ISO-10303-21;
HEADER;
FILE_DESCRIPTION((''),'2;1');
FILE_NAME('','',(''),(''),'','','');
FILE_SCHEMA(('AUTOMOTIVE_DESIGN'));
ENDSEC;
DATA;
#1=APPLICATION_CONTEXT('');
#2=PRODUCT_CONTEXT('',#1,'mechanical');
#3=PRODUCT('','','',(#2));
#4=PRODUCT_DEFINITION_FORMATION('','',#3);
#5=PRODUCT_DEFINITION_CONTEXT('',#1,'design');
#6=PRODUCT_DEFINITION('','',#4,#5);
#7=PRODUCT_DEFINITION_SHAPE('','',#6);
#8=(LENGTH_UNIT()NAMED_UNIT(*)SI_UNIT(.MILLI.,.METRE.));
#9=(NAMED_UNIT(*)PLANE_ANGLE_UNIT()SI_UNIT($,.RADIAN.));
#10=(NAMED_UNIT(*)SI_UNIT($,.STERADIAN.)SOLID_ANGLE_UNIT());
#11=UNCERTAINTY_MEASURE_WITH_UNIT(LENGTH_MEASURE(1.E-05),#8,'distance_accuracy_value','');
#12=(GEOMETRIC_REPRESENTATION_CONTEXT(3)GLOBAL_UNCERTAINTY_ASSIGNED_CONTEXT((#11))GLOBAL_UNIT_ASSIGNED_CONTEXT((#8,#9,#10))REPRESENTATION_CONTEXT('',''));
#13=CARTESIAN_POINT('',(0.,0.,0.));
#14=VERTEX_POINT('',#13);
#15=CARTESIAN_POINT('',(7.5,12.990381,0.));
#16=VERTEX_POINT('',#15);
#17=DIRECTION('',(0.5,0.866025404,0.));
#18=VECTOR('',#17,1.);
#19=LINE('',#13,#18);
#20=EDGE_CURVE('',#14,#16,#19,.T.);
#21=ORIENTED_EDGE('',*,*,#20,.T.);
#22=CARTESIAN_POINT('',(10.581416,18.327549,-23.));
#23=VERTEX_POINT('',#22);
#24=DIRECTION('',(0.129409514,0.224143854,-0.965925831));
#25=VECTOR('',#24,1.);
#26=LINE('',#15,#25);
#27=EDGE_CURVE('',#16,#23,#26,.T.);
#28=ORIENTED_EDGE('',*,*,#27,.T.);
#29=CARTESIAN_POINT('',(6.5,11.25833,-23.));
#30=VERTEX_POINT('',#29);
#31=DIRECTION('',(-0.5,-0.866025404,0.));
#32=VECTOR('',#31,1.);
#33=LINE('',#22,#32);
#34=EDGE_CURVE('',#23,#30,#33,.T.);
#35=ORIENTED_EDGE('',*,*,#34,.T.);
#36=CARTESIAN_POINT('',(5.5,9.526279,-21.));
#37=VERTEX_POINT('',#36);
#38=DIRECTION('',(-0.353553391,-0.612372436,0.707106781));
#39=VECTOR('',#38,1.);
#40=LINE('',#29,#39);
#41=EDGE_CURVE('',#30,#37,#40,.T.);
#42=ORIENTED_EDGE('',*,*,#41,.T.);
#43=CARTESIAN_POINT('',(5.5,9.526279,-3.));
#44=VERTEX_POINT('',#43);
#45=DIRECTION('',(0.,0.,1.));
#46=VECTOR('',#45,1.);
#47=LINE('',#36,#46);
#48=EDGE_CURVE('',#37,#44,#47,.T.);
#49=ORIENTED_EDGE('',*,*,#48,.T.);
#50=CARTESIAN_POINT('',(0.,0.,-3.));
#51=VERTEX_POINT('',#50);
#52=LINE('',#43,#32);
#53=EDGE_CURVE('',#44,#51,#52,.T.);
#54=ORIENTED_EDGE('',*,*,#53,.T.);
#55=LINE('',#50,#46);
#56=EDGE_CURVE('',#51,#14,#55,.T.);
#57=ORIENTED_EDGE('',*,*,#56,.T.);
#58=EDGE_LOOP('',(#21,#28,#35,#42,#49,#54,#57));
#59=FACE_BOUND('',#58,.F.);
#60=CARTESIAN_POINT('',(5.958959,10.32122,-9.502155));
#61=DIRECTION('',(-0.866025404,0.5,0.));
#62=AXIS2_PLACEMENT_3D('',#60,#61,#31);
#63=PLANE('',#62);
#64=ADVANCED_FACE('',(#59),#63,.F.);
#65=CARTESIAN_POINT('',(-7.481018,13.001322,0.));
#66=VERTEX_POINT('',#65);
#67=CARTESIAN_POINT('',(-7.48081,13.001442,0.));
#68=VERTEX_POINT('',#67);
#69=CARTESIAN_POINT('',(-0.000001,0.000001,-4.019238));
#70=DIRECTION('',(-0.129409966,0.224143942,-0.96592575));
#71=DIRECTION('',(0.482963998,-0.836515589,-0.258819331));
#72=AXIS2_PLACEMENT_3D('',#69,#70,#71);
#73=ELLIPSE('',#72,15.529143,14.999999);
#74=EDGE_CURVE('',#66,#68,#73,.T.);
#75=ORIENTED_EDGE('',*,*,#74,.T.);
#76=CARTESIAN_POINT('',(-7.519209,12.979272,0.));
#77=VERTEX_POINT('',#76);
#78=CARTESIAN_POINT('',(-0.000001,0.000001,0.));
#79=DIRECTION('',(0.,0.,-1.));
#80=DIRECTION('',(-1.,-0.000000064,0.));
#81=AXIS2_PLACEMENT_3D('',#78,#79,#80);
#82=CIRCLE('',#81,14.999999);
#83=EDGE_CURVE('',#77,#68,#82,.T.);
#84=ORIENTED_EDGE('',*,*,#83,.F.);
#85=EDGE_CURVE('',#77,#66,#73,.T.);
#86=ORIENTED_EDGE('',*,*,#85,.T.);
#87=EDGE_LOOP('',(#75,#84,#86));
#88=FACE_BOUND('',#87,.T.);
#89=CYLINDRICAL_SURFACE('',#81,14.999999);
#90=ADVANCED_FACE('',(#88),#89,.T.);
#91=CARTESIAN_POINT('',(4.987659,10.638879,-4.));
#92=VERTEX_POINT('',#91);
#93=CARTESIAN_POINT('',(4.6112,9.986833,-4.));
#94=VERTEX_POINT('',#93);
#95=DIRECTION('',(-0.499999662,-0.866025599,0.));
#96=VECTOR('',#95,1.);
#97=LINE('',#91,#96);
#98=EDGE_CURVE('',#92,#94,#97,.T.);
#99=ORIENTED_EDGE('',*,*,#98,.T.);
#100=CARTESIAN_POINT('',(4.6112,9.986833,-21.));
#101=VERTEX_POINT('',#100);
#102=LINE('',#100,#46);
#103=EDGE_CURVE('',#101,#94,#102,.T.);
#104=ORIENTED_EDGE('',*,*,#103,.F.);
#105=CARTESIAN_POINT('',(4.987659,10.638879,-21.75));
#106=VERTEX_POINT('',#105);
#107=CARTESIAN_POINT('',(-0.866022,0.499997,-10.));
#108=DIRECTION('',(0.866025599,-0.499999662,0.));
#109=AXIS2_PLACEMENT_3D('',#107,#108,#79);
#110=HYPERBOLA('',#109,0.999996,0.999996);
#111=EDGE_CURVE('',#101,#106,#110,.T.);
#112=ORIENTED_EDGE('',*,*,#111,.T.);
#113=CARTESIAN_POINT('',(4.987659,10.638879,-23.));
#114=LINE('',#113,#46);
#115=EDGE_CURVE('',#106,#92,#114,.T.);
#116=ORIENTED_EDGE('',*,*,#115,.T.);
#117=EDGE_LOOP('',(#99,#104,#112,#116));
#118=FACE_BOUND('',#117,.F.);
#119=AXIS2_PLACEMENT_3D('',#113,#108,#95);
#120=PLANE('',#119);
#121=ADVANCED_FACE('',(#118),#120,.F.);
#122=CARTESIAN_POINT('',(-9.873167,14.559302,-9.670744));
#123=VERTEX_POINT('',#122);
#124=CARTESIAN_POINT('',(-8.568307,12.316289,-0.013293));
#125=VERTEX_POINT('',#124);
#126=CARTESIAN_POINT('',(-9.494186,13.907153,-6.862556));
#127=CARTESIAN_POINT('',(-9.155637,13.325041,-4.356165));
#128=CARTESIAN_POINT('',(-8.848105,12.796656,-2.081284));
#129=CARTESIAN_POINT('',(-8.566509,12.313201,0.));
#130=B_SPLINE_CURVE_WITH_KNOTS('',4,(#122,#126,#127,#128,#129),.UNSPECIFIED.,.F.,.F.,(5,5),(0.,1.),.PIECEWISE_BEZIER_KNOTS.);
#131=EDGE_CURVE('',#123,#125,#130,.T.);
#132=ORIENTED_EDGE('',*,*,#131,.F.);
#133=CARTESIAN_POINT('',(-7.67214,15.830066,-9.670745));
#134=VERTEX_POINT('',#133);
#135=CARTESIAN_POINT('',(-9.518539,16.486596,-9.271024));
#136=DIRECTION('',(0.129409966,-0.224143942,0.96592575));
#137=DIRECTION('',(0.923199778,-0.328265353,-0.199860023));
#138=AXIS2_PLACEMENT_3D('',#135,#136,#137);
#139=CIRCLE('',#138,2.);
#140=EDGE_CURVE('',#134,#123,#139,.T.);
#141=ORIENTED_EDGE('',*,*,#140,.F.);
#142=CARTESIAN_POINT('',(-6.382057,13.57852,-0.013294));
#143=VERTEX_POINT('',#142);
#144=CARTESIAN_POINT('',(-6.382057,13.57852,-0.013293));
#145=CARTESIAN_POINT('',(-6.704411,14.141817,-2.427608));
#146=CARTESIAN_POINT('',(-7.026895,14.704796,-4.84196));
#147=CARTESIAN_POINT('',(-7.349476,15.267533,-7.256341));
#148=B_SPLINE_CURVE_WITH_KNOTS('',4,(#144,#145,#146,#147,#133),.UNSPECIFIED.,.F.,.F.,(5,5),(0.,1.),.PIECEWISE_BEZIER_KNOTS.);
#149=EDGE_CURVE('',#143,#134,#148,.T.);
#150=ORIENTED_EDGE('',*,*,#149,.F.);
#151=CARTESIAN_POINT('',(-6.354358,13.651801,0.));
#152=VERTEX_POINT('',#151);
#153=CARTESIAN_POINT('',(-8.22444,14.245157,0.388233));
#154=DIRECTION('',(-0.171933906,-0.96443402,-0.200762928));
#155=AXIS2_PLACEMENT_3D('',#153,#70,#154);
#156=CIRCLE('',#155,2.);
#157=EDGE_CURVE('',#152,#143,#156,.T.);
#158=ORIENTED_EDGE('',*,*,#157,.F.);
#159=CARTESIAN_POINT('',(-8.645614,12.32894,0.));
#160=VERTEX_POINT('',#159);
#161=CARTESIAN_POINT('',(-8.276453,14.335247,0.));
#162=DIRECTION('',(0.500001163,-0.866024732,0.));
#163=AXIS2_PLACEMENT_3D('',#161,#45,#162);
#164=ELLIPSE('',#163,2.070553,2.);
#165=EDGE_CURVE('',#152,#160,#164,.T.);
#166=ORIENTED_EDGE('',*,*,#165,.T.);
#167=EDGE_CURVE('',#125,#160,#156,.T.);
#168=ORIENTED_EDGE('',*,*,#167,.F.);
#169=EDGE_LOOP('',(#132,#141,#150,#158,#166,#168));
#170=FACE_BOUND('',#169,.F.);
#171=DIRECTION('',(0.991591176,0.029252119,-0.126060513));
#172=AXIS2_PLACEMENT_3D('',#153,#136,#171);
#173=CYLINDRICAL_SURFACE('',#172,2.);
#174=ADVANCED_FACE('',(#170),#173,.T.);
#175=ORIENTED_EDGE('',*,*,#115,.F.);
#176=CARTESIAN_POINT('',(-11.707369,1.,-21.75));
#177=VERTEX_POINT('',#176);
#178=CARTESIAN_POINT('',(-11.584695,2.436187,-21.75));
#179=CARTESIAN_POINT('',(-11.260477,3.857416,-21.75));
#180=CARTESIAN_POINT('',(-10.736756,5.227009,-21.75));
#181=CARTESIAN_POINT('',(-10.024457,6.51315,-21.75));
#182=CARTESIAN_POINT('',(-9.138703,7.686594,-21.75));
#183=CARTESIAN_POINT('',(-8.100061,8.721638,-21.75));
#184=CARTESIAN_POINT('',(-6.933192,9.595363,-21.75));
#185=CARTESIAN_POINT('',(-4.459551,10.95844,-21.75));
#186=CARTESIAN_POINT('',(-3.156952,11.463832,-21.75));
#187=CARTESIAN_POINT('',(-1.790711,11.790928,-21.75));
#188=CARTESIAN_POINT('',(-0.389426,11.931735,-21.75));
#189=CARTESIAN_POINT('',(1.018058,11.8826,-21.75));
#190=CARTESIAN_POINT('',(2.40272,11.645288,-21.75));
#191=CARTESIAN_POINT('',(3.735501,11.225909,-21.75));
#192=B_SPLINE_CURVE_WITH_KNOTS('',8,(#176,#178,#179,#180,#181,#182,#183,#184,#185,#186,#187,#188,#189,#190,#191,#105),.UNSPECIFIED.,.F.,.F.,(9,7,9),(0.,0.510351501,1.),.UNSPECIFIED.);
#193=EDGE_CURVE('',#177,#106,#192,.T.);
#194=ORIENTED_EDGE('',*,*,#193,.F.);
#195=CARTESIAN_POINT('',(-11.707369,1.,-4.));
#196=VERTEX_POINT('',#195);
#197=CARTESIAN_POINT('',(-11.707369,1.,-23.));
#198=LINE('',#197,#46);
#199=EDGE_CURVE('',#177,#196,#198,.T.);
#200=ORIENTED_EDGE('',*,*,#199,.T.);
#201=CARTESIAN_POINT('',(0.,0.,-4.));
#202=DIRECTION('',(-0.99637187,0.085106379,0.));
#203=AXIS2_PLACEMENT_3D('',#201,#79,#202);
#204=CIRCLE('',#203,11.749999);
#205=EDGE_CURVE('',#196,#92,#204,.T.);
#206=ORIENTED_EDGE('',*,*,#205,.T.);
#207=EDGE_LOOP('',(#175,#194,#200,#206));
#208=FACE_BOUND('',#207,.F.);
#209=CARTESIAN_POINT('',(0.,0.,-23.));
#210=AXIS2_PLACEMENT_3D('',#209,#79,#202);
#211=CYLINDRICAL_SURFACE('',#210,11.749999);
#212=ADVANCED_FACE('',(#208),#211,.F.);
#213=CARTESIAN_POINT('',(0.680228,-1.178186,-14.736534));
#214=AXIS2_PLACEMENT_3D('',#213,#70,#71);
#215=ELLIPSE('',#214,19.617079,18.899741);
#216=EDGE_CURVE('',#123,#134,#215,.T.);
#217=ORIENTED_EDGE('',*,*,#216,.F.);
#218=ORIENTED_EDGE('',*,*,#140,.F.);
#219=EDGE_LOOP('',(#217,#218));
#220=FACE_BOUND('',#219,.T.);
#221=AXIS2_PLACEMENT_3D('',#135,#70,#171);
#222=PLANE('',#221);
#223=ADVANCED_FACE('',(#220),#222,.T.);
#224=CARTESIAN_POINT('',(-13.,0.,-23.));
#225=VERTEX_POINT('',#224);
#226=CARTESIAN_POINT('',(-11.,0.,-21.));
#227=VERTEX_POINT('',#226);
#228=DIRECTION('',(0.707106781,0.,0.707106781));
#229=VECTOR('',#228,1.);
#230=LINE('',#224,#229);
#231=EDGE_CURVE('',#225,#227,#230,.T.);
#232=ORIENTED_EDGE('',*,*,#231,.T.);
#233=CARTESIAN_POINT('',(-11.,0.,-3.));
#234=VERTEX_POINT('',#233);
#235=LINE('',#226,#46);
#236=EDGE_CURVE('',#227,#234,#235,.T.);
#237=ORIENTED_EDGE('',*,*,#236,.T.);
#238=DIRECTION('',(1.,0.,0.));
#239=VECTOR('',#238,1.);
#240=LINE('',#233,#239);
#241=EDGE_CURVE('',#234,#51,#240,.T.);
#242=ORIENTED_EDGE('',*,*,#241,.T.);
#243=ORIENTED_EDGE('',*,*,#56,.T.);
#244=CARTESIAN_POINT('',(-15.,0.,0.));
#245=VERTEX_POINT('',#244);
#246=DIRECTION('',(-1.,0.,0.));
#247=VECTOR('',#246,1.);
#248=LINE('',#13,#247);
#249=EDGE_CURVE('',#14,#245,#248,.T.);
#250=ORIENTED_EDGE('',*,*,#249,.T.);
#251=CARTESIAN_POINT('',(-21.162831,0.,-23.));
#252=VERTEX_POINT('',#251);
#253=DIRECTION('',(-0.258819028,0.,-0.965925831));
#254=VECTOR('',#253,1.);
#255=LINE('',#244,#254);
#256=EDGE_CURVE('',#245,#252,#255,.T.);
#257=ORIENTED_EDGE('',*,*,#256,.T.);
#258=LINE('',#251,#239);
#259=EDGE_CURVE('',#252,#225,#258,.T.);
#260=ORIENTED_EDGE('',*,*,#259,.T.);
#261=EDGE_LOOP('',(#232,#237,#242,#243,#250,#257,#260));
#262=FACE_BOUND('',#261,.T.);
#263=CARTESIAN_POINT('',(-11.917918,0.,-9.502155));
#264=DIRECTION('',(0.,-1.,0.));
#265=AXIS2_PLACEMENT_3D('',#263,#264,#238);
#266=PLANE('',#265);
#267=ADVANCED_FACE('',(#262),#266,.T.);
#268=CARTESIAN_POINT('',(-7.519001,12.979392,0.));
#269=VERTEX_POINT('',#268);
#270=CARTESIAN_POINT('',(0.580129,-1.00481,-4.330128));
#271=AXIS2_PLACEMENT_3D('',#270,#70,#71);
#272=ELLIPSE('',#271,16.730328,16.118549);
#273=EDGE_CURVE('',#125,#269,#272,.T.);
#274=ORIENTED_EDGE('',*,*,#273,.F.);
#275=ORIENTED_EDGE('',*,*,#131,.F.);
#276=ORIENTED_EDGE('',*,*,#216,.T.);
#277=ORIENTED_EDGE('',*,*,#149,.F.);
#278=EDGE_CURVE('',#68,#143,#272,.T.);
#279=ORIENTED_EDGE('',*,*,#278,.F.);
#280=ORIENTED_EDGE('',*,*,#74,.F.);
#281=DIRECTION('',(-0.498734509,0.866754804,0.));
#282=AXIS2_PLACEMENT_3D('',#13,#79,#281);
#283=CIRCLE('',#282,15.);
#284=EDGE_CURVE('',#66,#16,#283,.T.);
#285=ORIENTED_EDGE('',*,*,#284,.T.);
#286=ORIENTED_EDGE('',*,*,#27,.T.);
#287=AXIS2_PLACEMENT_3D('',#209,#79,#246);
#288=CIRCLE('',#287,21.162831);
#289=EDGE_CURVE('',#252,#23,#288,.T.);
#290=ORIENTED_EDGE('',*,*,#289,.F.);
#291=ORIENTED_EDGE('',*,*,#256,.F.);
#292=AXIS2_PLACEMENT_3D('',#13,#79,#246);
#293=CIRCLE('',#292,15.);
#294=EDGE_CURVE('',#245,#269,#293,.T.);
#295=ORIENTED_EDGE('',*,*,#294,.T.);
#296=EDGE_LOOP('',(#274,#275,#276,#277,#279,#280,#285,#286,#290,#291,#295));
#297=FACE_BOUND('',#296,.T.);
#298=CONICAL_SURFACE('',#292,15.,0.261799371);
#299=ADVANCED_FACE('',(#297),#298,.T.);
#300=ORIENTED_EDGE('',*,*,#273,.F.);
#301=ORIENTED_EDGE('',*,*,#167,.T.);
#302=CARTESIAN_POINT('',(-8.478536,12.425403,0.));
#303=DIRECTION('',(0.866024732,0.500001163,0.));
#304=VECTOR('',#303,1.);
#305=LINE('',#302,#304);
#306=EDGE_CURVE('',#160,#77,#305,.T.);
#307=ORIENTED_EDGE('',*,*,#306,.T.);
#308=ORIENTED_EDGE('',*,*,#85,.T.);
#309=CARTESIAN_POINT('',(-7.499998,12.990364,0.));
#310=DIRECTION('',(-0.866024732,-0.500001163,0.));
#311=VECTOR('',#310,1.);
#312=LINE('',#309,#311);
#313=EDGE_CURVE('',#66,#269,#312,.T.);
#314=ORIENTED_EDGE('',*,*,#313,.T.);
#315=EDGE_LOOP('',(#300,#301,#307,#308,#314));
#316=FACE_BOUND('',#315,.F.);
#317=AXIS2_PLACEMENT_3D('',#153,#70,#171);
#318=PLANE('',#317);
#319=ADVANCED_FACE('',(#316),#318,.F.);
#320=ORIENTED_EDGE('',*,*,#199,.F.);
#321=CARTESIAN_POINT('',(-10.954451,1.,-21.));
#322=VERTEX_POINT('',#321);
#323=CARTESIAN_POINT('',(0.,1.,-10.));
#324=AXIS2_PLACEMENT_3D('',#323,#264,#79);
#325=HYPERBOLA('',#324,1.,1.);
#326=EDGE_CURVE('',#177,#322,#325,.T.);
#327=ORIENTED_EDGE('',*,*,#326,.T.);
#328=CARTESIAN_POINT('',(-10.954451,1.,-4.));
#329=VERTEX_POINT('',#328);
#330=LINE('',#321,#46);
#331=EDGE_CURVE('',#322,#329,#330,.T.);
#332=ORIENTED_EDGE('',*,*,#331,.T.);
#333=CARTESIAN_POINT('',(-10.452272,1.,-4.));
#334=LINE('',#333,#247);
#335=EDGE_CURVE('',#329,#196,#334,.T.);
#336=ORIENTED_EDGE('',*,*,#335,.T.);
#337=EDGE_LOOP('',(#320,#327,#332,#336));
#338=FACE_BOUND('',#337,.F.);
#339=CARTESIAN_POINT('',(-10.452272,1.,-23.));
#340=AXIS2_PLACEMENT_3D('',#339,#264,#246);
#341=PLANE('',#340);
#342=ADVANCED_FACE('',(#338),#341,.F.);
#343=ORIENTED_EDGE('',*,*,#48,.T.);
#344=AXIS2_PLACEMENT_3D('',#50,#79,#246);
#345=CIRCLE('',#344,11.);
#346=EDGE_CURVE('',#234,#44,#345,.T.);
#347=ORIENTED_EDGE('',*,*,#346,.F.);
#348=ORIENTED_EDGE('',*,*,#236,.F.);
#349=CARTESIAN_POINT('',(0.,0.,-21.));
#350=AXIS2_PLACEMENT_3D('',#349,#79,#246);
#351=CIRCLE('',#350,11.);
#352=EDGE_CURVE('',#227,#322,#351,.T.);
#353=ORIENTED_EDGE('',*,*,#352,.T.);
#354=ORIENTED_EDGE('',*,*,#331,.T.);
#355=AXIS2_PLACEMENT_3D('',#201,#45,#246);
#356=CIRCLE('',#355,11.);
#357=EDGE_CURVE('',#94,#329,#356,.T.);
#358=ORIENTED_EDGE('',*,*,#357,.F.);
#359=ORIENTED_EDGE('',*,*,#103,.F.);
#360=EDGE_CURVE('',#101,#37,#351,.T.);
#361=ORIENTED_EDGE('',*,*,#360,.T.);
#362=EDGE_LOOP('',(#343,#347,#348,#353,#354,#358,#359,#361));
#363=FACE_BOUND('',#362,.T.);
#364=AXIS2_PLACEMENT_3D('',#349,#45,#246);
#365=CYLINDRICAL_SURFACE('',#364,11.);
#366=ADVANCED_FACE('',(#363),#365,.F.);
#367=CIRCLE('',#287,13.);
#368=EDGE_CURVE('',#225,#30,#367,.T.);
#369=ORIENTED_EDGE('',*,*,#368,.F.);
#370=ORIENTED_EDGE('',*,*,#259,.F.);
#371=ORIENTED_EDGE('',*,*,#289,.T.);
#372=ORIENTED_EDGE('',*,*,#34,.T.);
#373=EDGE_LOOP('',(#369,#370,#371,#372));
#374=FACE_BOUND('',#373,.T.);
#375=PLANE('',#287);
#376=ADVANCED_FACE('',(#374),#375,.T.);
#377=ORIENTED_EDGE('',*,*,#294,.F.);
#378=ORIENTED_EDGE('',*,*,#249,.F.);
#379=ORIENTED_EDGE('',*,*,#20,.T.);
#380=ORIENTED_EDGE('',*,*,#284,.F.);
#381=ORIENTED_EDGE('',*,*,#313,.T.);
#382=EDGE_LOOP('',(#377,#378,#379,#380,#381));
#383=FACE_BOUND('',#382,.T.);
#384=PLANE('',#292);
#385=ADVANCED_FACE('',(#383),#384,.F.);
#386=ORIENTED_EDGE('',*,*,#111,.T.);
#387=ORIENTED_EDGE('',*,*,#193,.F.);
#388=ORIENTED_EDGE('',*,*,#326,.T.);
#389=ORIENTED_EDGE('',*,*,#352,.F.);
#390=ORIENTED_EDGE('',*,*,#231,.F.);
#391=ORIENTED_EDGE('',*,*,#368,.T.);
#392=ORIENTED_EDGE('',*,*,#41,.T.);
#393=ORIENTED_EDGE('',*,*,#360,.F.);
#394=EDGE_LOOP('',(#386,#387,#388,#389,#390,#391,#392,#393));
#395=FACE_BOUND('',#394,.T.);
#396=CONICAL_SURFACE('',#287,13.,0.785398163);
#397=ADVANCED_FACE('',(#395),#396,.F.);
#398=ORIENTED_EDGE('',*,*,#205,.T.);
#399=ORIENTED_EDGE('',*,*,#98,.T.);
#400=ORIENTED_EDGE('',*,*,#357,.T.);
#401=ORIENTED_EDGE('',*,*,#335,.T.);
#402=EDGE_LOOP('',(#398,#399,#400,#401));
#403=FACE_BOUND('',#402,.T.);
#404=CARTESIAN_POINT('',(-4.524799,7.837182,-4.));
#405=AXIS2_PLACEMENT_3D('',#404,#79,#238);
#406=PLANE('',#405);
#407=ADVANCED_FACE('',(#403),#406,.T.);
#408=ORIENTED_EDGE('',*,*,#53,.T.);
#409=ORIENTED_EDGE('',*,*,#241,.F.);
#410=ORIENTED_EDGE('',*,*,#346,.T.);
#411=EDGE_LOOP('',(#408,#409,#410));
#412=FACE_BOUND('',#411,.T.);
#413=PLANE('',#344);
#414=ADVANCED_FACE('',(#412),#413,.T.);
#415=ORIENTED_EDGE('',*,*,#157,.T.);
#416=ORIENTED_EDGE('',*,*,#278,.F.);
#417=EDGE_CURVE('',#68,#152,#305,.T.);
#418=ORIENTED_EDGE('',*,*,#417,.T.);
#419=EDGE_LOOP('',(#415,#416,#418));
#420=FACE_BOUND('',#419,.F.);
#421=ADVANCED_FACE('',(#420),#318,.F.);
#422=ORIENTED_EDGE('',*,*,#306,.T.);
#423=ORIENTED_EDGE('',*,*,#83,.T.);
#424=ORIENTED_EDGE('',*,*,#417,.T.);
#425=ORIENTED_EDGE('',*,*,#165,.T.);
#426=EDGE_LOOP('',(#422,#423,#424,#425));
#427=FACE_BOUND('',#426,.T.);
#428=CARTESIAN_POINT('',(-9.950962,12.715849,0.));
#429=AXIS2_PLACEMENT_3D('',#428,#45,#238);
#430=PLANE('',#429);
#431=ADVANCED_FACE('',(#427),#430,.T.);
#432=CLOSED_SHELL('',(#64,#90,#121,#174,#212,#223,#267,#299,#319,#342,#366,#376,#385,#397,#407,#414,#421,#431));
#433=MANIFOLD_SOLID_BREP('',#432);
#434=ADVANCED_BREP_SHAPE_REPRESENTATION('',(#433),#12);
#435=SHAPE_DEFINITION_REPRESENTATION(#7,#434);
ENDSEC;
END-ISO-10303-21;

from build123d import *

# Parameters (mm, degrees)
F1_ANGLE = 120
F4_R     = 2
F5_DEPTH = 10
F7_DEPTH = 25
F9_DEPTH = 19


with BuildPart() as f1:
    # F0 (on Front) → F1 (revolve)
    with BuildSketch(Plane.XZ):
        Polygon((0, -3), (0, 0), (-15, 0), (-21.162831, -23), (-13, -23), (-11, -21), (-11, -3), align=None)
    revolve(axis=Axis((0, 0, -1.5), (0, 0, -1)), revolution_arc=F1_ANGLE)

    # F4 (on face) → F5 (join)
    with BuildSketch(Plane(origin=(-0.502405, 0.870191, -3.75), x_dir=(0.991591, 0.029252, -0.12606), z_dir=(-0.12941, 0.224144, -0.965926))):
        with Locations((-7.787523, -13.964204)):
            Circle(F4_R)
    extrude(amount=F5_DEPTH)

    # F6 (on face) → F7 (cut)
    with BuildSketch(Plane.XY):
        with BuildLine():
            Line((-15, 20), (-15, 0))
            ThreePointArc((-15, 0), (-10.606602, 10.606602), (0, 15))
            Line((0, 15), (0, 20))
            Line((0, 20), (-15, 20))
        make_face()
    extrude(amount=F7_DEPTH, mode=Mode.SUBTRACT)

    # F8 (on face) → F9 (cut)
    with BuildSketch(Plane(origin=(0, 0, -23), x_dir=(1, 0, 0), z_dir=(0, 0, -1))):
        with BuildLine():
            Line((-10.452272, -1), (-11.707369, -1))
            ThreePointArc((-11.707369, -1), (-5.875, -10.175798), (4.987659, -10.638879))
            Line((4.987659, -10.638879), (4.360111, -9.551933))
            ThreePointArc((4.360111, -9.551933), (-5.25, -9.093267), (-10.452272, -1))
        make_face()
    extrude(amount=-F9_DEPTH, mode=Mode.SUBTRACT)


solid = f1.part
